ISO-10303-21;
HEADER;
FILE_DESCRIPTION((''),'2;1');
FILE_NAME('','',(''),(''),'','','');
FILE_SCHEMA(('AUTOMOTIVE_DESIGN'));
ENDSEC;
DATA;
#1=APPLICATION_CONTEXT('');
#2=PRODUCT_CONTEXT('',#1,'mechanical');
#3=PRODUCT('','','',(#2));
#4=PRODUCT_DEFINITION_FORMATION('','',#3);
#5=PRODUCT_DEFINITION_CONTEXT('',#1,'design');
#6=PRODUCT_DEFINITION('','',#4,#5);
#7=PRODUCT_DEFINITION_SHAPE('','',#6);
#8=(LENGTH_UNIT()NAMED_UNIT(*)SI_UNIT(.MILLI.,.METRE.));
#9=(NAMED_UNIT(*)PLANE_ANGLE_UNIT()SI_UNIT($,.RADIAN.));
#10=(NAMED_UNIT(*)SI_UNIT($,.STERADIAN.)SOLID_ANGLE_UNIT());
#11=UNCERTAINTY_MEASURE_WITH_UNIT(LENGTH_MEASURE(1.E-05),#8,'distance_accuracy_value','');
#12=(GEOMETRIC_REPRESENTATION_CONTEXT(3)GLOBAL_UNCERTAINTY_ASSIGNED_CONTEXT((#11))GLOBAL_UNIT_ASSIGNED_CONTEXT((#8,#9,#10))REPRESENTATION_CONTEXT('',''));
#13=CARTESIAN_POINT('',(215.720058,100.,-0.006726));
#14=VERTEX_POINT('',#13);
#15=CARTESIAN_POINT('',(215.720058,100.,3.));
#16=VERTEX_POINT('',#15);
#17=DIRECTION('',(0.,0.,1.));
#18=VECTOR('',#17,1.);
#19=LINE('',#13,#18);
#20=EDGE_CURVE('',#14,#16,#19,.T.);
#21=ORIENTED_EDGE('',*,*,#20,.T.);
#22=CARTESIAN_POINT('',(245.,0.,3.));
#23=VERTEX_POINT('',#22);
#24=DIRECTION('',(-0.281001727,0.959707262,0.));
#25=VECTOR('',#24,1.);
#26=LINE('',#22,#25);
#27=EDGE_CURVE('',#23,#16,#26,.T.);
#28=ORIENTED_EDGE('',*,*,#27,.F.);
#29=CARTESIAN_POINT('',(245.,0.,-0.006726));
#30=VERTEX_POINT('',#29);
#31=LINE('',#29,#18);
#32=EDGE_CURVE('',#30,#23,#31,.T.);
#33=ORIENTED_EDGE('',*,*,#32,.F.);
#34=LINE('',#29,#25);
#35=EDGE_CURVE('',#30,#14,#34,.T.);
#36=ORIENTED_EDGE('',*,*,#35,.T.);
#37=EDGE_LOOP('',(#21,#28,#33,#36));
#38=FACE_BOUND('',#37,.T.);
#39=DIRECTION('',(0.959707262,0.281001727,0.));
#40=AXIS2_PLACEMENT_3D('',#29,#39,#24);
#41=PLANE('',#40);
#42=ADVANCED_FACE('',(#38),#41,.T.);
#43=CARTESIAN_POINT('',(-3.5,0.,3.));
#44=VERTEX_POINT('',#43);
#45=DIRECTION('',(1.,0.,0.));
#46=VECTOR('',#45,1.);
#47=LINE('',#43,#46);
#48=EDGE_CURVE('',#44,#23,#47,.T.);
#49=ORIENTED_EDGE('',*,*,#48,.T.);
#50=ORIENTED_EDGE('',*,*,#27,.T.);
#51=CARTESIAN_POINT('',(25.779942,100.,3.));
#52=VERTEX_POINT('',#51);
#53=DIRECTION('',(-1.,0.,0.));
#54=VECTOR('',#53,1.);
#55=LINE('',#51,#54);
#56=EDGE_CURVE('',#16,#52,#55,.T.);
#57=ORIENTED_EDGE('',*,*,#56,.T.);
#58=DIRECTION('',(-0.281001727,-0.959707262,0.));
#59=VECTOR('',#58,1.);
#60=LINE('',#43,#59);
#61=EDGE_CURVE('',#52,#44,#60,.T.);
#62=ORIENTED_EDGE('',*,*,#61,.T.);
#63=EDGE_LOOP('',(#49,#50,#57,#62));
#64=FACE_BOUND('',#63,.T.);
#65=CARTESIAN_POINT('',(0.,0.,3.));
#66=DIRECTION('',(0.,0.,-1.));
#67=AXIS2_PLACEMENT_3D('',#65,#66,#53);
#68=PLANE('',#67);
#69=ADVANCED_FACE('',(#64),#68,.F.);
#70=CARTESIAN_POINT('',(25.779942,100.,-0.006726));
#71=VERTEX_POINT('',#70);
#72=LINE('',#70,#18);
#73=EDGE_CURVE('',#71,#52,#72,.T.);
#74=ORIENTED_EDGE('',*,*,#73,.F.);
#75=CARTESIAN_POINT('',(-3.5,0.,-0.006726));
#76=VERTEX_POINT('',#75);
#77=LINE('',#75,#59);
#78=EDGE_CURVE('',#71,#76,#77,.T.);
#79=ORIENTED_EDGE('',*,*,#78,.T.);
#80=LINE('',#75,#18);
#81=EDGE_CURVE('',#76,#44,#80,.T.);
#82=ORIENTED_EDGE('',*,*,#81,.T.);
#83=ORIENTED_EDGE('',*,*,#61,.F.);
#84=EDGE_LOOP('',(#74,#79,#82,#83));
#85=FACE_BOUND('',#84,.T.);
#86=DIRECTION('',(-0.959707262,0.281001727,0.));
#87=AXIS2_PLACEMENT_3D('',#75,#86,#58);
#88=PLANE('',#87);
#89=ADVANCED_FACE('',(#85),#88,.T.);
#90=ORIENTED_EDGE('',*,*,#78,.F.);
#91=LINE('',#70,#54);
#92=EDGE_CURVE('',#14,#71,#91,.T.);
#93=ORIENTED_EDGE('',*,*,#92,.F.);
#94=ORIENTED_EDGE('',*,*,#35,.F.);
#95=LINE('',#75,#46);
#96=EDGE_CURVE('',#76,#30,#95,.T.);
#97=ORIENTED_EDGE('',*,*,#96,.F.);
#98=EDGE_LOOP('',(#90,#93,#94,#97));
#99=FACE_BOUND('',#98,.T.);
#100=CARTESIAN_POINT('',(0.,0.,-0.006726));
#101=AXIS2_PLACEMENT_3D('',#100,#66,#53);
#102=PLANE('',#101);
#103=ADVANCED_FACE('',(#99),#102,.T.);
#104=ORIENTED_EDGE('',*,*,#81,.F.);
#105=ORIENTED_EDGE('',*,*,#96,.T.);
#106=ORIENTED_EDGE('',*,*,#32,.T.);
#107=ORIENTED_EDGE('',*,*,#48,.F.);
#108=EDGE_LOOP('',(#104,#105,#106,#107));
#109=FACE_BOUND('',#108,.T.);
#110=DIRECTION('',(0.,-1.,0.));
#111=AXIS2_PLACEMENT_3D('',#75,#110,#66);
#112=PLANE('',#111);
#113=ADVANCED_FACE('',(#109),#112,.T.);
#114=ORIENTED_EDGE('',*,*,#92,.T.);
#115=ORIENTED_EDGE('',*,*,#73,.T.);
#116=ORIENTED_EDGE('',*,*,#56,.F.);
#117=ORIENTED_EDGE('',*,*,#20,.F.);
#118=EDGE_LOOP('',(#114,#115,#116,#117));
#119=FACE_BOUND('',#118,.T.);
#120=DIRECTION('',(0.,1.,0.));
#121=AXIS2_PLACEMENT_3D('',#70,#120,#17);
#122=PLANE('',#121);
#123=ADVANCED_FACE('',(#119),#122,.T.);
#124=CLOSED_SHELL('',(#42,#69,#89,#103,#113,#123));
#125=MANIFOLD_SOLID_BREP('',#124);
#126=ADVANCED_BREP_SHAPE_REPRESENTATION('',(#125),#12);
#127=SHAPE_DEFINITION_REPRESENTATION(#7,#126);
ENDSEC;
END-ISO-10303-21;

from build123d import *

# Parameters (mm, degrees)
BOSS_EXTRUDE1_DEPTH      = 3
BOSS_EXTRUDE1_DEPTH_BACK = 0.006725904


with BuildPart() as part:
    # Sketch1 → Boss-Extrude1 (new, two sides: drawn at the far end of the back side and taken through both)
    with BuildSketch(Plane.XY.offset(-BOSS_EXTRUDE1_DEPTH_BACK)):
        Polygon((-3.5, 0), (245, 0), (215.720058283, 100), (25.779941717, 100), align=None)
    extrude(amount=BOSS_EXTRUDE1_DEPTH + BOSS_EXTRUDE1_DEPTH_BACK)


solid = part.part
